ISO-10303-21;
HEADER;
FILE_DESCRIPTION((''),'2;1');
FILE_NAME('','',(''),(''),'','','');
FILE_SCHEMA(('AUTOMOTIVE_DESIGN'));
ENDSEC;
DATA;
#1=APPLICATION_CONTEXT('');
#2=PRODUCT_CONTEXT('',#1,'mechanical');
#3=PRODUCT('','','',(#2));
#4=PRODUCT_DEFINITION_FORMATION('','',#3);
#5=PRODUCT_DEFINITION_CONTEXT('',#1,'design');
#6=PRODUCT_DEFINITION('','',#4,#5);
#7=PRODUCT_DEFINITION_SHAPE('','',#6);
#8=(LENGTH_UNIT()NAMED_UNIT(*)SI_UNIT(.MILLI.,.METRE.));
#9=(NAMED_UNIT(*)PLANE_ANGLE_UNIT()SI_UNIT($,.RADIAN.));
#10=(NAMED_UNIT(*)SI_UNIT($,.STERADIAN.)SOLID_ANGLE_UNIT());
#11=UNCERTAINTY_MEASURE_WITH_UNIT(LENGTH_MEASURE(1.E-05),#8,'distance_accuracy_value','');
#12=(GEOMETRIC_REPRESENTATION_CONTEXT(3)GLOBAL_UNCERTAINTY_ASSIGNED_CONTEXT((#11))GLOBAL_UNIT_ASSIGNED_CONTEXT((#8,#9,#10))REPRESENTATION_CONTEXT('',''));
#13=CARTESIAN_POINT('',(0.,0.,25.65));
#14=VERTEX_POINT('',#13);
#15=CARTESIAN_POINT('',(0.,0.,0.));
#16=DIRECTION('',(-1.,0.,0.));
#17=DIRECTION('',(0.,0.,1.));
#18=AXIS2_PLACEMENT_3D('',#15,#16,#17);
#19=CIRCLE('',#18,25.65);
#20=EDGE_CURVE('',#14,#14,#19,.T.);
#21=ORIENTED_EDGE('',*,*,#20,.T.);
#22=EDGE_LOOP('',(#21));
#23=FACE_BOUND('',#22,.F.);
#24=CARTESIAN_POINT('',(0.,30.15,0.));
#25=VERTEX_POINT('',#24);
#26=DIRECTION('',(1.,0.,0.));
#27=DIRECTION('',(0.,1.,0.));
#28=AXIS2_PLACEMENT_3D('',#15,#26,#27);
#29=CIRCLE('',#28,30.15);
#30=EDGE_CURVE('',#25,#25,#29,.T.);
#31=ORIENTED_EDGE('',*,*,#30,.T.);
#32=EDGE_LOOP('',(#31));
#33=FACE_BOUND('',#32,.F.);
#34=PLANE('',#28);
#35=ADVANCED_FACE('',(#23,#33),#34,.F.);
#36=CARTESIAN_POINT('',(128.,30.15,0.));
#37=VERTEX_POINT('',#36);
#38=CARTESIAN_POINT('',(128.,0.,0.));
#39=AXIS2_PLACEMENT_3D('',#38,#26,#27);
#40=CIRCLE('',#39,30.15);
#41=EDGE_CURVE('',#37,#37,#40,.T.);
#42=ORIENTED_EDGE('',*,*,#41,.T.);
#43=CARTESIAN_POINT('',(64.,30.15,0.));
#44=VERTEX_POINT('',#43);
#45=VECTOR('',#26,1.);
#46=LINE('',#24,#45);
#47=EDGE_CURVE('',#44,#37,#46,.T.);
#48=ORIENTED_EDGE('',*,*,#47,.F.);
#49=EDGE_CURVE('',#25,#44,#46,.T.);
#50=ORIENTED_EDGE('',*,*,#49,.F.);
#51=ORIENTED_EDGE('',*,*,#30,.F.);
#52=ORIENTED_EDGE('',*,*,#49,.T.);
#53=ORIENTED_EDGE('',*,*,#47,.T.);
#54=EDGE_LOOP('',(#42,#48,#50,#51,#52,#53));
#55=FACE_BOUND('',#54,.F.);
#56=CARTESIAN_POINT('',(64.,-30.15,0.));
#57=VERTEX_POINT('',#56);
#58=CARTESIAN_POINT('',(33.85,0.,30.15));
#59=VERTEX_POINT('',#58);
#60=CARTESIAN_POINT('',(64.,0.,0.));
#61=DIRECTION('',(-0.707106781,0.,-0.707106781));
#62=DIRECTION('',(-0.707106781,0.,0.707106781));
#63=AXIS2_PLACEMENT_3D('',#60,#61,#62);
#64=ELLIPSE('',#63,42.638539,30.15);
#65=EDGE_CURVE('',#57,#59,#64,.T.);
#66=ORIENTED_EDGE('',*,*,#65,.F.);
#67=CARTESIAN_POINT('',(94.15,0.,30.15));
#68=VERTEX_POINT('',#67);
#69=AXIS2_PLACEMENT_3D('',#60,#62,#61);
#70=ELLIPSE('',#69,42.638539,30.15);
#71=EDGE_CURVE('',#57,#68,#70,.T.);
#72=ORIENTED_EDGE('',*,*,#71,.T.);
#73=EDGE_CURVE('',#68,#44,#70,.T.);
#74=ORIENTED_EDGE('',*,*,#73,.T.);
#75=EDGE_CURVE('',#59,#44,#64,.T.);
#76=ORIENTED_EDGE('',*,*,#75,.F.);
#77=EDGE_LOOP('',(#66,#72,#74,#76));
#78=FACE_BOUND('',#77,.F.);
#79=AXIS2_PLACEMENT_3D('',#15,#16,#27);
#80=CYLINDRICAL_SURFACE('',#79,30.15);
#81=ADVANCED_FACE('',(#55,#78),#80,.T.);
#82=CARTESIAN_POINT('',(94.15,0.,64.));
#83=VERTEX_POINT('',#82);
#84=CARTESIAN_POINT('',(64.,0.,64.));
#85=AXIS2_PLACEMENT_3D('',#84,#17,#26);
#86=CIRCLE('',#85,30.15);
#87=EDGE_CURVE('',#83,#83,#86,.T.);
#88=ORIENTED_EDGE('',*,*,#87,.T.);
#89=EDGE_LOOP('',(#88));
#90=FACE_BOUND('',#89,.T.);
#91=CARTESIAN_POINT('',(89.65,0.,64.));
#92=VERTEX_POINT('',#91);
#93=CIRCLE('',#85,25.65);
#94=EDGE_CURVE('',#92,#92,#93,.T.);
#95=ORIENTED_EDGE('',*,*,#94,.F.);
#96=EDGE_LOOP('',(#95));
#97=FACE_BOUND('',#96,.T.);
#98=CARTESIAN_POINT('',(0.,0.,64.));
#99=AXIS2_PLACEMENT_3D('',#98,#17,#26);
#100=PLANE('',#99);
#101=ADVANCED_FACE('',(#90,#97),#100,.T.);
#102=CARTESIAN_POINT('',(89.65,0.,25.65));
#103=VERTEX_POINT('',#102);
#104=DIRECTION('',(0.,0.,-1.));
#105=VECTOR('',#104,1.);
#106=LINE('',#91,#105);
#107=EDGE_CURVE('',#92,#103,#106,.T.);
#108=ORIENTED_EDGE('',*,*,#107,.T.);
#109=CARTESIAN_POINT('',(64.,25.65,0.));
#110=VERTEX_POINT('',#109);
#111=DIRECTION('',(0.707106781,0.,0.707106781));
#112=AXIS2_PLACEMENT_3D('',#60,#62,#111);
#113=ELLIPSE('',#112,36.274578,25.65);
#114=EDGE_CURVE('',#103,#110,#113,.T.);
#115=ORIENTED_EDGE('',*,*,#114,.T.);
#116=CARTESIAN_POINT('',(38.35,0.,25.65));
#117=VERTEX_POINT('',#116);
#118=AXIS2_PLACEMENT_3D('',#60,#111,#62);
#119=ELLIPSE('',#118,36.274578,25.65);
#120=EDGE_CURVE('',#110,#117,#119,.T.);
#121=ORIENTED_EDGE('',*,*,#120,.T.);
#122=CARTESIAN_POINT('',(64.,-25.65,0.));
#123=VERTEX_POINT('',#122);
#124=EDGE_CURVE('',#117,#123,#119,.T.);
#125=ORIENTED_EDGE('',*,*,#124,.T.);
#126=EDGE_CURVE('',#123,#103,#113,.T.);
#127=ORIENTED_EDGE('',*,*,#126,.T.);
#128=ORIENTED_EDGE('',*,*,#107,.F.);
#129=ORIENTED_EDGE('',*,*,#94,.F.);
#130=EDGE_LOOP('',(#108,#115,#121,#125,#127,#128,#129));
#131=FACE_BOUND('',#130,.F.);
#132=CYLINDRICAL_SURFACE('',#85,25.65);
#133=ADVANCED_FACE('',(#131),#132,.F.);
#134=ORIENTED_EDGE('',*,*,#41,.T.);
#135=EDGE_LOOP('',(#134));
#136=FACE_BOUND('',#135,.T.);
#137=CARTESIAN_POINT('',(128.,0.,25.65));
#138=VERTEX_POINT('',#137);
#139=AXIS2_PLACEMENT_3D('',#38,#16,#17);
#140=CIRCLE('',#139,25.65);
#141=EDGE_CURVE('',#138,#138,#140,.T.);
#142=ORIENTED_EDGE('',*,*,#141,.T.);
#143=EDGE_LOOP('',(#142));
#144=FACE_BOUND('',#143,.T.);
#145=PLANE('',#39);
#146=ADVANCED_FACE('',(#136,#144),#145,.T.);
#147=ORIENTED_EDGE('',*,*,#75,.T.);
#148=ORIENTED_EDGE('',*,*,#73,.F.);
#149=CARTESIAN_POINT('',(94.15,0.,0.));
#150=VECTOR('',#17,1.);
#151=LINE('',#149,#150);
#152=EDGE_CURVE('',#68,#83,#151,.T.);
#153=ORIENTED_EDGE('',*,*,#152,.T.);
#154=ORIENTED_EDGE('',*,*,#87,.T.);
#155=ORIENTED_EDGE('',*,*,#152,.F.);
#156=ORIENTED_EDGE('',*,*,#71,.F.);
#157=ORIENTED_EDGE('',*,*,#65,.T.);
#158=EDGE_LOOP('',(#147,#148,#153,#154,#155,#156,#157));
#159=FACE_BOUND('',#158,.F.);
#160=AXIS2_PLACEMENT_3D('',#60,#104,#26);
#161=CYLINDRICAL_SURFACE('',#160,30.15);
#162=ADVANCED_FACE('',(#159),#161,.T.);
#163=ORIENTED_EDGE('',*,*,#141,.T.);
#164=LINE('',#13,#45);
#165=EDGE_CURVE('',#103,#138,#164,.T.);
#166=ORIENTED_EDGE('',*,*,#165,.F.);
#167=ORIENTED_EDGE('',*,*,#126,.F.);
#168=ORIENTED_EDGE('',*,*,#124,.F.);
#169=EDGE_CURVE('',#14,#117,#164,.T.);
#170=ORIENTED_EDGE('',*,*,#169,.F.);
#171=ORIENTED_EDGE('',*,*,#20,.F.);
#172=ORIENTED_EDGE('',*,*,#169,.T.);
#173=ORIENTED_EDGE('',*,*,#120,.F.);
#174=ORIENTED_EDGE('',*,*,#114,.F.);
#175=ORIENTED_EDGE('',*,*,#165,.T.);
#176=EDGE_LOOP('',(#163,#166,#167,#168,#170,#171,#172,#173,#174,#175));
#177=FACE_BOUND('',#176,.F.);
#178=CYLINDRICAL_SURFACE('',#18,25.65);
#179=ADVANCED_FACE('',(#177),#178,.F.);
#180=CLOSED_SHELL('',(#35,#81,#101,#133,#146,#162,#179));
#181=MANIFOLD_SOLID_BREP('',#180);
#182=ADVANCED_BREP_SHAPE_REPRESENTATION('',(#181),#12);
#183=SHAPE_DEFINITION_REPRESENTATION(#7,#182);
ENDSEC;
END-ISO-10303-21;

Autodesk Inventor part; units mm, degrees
ref_plane "YZ Plane" through (0, 0, 0) normal (1, 0, 0) x (0, 1, 0)
ref_plane "XZ Plane" through (0, 0, 0) normal (0, 1, 0) x (-1, 0, 0)
ref_plane "XY Plane" through (0, 0, 0) normal (0, 0, 1) x (1, 0, 0)
sketch "Sketch1" plane through (0, 0, 0) normal (1, 0, 0) x (0, 1, 0)
  circle A0 centre (0, 0) radius 30.15
  dimension "d0" = 60.3
extrude "Extrude1" add sketch "Sketch1" along normal blind 128
sketch "Sketch2" plane through (0, 0, 0) normal (0, 0, 1) x (1, 0, 0)
  line L0 (0, 30.15) -> (0, -30.15) projected
  line L1 (128, 30.15) -> (128, -30.15) projected
  line L2 (0, 0) -> (128, 0) construction
  circle A0 centre (64, 0) radius 30.15
  dimension "d3" = 60.3
extrude "Extrude2" add sketch "Sketch2" along normal blind 64
sketch "Sketch3" plane through (0, 0, 0) normal (-1, 0, 0) x (0, 0, 1)
  circle A0 centre (0, 0) radius 30.15 projected
  circle A1 centre (0, 0) radius 25.65
  dimension "d6" = 51.3
extrude "Extrude3" cut sketch "Sketch3" against normal through all contours A1
sketch "Sketch4" plane through (64, 0, 64) normal (0, 0, 1) x (1, 0, 0)
  circle A0 centre (0, 0) radius 30.15 projected
  circle A1 centre (0, 0) radius 25.65
  dimension "d9" = 51.3
extrude "Extrude4" cut sketch "Sketch4" against normal up to next contours A1
equation "\"d0\" = d"
equation "\"d1\" = 2 * a"
equation "\"d3\" = d"
equation "\"d4\" = a"
equation "\"d6\" = d - 2 * s1"
equation "\"d7\" = a"
equation "\"d9\" = d - 2 * s1"
equation "\"d10\" = a"
equation "\"d\" = 60.3"
equation "\"s1\" = 4.5"
equation "\"a\" = 64"
equation "\"Size_Designation\" = 1.2345"
properties part number "DIN 2615-1 Tee 60.3 x 4 S" material "Steel"
